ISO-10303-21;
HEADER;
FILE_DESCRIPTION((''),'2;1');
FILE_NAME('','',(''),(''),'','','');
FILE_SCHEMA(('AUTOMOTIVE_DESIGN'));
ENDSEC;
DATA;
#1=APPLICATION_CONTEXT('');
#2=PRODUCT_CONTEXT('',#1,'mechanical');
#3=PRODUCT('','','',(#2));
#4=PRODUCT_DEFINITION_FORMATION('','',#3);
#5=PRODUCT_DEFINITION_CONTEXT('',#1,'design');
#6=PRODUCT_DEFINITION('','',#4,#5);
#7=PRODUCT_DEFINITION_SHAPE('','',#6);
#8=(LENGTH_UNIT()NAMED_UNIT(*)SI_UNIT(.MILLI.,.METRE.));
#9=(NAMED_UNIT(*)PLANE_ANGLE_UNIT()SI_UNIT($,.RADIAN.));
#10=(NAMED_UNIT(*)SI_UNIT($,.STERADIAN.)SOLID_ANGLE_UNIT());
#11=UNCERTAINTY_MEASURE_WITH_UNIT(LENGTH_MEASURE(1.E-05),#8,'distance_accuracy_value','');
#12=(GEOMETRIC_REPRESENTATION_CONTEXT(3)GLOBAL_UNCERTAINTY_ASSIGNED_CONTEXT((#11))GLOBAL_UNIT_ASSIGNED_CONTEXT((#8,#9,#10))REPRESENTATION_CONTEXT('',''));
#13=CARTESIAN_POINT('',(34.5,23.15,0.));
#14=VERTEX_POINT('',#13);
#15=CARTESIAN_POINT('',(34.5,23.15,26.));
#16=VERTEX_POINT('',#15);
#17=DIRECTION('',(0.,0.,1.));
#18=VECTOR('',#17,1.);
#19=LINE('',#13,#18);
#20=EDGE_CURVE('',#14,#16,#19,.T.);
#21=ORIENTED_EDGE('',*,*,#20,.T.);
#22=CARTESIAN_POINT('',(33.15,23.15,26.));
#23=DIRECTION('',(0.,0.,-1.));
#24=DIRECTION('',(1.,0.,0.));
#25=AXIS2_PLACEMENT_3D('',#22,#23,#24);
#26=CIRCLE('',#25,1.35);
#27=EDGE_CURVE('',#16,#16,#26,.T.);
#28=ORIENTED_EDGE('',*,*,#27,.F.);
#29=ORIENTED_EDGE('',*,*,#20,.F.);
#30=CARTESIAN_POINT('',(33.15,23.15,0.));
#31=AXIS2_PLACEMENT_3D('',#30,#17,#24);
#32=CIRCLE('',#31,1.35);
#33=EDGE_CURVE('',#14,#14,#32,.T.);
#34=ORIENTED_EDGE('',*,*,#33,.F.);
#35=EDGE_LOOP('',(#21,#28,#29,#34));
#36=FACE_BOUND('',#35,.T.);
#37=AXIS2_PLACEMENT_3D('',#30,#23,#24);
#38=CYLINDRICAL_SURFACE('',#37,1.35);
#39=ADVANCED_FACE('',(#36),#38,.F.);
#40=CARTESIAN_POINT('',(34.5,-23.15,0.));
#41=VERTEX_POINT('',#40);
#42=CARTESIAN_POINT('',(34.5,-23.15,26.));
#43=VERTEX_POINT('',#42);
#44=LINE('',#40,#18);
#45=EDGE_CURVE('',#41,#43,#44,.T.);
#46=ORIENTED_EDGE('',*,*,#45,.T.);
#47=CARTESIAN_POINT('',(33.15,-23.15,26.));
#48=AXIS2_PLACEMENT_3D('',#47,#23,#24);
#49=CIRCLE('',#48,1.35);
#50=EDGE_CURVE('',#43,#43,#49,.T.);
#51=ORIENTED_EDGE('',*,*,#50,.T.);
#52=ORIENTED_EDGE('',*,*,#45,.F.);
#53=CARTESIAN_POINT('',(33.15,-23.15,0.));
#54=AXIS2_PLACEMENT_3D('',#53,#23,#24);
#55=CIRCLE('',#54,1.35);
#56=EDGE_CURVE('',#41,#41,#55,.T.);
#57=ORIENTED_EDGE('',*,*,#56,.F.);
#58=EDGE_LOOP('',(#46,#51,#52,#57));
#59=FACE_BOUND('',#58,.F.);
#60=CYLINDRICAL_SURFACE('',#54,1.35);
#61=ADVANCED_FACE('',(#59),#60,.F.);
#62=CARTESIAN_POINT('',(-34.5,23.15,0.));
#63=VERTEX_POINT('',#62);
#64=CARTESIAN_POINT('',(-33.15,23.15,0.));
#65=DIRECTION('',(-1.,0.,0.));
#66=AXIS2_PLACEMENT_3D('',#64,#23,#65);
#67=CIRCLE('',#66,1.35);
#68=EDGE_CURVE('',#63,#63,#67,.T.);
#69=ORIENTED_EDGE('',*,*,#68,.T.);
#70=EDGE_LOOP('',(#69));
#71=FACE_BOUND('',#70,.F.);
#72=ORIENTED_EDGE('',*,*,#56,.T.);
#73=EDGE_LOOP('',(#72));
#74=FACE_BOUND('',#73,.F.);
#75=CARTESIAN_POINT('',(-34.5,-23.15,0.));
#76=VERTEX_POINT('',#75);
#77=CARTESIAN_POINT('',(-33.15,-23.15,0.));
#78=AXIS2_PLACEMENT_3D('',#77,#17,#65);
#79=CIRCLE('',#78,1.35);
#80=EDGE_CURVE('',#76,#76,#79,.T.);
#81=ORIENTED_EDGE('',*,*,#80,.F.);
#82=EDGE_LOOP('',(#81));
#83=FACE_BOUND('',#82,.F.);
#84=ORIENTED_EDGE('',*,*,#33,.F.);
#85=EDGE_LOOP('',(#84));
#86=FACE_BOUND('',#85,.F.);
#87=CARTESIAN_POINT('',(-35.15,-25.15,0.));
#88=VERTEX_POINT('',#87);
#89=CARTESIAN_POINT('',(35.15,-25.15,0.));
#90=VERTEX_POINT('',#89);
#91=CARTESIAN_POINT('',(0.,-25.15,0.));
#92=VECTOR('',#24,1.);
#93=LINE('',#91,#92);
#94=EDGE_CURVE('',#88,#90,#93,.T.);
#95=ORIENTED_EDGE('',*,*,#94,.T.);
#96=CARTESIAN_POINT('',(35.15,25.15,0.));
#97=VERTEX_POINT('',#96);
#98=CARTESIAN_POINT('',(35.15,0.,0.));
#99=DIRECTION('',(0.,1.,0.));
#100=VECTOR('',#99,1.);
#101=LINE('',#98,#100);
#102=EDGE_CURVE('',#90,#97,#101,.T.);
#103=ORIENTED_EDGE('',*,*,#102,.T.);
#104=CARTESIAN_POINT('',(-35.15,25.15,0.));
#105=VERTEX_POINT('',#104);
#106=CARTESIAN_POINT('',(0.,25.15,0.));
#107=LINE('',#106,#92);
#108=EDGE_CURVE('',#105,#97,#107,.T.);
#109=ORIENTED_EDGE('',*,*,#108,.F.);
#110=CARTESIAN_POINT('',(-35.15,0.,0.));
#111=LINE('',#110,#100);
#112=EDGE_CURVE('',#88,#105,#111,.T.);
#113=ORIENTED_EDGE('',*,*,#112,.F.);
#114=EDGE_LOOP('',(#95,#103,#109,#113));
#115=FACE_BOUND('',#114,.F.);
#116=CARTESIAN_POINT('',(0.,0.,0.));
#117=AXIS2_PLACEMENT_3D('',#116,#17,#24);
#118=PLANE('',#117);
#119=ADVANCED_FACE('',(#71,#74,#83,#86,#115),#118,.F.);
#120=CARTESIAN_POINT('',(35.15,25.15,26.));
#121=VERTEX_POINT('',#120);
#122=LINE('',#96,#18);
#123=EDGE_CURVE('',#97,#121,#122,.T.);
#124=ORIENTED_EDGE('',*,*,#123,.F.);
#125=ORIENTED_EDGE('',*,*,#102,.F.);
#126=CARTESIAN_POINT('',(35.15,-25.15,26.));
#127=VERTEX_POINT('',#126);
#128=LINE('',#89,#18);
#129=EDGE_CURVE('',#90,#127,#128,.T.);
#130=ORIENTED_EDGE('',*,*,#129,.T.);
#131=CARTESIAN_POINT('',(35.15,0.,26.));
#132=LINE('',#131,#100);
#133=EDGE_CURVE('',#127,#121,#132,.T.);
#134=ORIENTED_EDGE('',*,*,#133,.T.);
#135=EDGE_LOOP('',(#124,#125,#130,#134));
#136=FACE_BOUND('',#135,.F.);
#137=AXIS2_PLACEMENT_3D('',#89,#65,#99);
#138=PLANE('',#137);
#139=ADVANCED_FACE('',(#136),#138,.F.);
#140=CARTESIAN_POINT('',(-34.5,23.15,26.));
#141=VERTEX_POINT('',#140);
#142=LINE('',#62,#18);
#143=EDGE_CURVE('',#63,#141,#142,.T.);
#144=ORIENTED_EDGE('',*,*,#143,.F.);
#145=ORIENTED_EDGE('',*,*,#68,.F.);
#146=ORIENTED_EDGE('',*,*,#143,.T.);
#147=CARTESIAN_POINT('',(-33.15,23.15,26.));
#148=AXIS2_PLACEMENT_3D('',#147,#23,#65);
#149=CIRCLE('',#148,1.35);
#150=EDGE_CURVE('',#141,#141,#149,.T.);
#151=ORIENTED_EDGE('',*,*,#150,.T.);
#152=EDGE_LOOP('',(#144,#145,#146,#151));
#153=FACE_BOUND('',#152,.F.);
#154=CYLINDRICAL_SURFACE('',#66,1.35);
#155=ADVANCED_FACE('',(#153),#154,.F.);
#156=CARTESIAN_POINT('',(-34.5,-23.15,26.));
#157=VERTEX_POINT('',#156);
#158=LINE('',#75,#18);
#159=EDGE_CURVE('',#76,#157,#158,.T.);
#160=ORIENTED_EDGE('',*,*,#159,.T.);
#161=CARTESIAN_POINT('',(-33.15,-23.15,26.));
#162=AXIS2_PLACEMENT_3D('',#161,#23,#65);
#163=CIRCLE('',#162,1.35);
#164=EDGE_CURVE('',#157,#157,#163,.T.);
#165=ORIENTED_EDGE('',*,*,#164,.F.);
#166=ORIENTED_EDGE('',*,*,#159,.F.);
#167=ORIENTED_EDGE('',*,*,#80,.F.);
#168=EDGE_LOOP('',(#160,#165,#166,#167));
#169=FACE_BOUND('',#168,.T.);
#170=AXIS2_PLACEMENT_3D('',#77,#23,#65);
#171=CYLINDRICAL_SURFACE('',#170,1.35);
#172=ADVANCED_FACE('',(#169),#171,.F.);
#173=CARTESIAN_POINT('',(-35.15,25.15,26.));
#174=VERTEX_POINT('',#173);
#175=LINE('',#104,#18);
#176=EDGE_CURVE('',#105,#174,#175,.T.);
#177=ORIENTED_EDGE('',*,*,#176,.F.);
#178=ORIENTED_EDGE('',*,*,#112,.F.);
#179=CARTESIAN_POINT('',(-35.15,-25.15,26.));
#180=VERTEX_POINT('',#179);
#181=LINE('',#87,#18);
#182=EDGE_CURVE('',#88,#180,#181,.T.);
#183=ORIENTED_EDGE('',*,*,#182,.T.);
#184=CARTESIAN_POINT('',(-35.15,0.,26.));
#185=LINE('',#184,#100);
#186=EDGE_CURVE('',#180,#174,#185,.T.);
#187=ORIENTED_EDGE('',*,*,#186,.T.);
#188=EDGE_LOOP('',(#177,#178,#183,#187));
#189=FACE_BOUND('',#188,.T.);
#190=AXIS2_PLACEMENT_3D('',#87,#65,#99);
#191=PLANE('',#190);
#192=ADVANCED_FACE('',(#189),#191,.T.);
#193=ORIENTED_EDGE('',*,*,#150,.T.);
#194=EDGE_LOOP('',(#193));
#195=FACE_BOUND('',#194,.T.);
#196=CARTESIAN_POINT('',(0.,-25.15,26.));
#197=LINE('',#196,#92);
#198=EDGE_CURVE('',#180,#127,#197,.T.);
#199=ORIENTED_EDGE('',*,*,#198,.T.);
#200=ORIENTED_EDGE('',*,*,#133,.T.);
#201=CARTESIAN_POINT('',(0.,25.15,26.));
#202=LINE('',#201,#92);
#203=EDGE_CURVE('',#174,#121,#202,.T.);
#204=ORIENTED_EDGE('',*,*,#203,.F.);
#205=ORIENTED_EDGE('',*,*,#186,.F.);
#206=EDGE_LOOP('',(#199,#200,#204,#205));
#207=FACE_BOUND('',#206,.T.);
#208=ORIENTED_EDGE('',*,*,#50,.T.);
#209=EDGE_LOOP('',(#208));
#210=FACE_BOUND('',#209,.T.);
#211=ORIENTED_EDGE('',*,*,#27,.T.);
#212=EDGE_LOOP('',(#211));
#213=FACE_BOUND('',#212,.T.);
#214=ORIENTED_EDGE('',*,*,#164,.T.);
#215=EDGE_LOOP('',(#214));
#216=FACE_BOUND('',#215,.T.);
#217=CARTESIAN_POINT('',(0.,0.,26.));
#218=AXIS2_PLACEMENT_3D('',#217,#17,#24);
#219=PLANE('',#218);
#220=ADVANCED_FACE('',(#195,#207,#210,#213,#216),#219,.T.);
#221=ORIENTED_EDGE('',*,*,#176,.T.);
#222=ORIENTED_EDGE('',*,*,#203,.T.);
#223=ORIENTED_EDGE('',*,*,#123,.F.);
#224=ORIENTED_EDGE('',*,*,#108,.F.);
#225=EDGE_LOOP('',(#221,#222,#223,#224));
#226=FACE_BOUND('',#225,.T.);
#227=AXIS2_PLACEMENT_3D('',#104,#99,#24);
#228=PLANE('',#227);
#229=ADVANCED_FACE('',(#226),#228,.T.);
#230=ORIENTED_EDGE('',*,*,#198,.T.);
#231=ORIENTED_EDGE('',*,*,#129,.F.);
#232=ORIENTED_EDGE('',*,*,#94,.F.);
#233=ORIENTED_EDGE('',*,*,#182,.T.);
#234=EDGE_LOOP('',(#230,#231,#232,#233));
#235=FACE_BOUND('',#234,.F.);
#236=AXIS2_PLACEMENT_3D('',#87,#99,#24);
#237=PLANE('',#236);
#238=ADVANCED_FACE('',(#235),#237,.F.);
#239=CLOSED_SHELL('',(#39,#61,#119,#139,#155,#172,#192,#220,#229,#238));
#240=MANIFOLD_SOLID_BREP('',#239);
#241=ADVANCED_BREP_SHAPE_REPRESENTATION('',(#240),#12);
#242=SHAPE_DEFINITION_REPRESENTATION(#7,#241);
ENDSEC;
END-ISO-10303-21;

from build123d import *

# Parameters (mm, degrees)
SKETCH_W                = 70.3
SKETCH_H                = 50.3
PAD_DEPTH               = 26
SKETCH001_R             = 1.35
POCKET_DEPTH            = 206.53554
SKETCH001_MIRRORED_2_R  = 1.35
POCKET_MIRRORED_2_DEPTH = 206.53554


with BuildPart() as part:
    # Sketch → Pad (new body)
    with BuildSketch(Plane.XY):
        Rectangle(SKETCH_W, SKETCH_H)
    extrude(amount=PAD_DEPTH)

    # Sketch001 → Pocket (cut, through all)
    with BuildSketch(Plane.XY):
        with Locations((33.15, 23.15)):
            Circle(SKETCH001_R)
    pocket = extrude(amount=POCKET_DEPTH, mode=Mode.SUBTRACT)

    # Sketch001 Mirrored 2 → Pocket Mirrored 2 (cut, through all)
    with BuildSketch(Plane(origin=(0, 0, 0), x_dir=(-1, 0, 0), z_dir=(0, 0, -1))):
        with Locations((33.15, 23.15)):
            Circle(SKETCH001_MIRRORED_2_R)
    pocket_mirrored_2 = extrude(amount=-POCKET_MIRRORED_2_DEPTH, mode=Mode.SUBTRACT)

    # Mirrored001: Pocket, Pocket Mirrored 2 across Sketch001 H_Axis
    add(pocket.mirror(Plane.ZX), mode=Mode.SUBTRACT)
    add(pocket_mirrored_2.mirror(Plane.ZX), mode=Mode.SUBTRACT)


solid = part.part
